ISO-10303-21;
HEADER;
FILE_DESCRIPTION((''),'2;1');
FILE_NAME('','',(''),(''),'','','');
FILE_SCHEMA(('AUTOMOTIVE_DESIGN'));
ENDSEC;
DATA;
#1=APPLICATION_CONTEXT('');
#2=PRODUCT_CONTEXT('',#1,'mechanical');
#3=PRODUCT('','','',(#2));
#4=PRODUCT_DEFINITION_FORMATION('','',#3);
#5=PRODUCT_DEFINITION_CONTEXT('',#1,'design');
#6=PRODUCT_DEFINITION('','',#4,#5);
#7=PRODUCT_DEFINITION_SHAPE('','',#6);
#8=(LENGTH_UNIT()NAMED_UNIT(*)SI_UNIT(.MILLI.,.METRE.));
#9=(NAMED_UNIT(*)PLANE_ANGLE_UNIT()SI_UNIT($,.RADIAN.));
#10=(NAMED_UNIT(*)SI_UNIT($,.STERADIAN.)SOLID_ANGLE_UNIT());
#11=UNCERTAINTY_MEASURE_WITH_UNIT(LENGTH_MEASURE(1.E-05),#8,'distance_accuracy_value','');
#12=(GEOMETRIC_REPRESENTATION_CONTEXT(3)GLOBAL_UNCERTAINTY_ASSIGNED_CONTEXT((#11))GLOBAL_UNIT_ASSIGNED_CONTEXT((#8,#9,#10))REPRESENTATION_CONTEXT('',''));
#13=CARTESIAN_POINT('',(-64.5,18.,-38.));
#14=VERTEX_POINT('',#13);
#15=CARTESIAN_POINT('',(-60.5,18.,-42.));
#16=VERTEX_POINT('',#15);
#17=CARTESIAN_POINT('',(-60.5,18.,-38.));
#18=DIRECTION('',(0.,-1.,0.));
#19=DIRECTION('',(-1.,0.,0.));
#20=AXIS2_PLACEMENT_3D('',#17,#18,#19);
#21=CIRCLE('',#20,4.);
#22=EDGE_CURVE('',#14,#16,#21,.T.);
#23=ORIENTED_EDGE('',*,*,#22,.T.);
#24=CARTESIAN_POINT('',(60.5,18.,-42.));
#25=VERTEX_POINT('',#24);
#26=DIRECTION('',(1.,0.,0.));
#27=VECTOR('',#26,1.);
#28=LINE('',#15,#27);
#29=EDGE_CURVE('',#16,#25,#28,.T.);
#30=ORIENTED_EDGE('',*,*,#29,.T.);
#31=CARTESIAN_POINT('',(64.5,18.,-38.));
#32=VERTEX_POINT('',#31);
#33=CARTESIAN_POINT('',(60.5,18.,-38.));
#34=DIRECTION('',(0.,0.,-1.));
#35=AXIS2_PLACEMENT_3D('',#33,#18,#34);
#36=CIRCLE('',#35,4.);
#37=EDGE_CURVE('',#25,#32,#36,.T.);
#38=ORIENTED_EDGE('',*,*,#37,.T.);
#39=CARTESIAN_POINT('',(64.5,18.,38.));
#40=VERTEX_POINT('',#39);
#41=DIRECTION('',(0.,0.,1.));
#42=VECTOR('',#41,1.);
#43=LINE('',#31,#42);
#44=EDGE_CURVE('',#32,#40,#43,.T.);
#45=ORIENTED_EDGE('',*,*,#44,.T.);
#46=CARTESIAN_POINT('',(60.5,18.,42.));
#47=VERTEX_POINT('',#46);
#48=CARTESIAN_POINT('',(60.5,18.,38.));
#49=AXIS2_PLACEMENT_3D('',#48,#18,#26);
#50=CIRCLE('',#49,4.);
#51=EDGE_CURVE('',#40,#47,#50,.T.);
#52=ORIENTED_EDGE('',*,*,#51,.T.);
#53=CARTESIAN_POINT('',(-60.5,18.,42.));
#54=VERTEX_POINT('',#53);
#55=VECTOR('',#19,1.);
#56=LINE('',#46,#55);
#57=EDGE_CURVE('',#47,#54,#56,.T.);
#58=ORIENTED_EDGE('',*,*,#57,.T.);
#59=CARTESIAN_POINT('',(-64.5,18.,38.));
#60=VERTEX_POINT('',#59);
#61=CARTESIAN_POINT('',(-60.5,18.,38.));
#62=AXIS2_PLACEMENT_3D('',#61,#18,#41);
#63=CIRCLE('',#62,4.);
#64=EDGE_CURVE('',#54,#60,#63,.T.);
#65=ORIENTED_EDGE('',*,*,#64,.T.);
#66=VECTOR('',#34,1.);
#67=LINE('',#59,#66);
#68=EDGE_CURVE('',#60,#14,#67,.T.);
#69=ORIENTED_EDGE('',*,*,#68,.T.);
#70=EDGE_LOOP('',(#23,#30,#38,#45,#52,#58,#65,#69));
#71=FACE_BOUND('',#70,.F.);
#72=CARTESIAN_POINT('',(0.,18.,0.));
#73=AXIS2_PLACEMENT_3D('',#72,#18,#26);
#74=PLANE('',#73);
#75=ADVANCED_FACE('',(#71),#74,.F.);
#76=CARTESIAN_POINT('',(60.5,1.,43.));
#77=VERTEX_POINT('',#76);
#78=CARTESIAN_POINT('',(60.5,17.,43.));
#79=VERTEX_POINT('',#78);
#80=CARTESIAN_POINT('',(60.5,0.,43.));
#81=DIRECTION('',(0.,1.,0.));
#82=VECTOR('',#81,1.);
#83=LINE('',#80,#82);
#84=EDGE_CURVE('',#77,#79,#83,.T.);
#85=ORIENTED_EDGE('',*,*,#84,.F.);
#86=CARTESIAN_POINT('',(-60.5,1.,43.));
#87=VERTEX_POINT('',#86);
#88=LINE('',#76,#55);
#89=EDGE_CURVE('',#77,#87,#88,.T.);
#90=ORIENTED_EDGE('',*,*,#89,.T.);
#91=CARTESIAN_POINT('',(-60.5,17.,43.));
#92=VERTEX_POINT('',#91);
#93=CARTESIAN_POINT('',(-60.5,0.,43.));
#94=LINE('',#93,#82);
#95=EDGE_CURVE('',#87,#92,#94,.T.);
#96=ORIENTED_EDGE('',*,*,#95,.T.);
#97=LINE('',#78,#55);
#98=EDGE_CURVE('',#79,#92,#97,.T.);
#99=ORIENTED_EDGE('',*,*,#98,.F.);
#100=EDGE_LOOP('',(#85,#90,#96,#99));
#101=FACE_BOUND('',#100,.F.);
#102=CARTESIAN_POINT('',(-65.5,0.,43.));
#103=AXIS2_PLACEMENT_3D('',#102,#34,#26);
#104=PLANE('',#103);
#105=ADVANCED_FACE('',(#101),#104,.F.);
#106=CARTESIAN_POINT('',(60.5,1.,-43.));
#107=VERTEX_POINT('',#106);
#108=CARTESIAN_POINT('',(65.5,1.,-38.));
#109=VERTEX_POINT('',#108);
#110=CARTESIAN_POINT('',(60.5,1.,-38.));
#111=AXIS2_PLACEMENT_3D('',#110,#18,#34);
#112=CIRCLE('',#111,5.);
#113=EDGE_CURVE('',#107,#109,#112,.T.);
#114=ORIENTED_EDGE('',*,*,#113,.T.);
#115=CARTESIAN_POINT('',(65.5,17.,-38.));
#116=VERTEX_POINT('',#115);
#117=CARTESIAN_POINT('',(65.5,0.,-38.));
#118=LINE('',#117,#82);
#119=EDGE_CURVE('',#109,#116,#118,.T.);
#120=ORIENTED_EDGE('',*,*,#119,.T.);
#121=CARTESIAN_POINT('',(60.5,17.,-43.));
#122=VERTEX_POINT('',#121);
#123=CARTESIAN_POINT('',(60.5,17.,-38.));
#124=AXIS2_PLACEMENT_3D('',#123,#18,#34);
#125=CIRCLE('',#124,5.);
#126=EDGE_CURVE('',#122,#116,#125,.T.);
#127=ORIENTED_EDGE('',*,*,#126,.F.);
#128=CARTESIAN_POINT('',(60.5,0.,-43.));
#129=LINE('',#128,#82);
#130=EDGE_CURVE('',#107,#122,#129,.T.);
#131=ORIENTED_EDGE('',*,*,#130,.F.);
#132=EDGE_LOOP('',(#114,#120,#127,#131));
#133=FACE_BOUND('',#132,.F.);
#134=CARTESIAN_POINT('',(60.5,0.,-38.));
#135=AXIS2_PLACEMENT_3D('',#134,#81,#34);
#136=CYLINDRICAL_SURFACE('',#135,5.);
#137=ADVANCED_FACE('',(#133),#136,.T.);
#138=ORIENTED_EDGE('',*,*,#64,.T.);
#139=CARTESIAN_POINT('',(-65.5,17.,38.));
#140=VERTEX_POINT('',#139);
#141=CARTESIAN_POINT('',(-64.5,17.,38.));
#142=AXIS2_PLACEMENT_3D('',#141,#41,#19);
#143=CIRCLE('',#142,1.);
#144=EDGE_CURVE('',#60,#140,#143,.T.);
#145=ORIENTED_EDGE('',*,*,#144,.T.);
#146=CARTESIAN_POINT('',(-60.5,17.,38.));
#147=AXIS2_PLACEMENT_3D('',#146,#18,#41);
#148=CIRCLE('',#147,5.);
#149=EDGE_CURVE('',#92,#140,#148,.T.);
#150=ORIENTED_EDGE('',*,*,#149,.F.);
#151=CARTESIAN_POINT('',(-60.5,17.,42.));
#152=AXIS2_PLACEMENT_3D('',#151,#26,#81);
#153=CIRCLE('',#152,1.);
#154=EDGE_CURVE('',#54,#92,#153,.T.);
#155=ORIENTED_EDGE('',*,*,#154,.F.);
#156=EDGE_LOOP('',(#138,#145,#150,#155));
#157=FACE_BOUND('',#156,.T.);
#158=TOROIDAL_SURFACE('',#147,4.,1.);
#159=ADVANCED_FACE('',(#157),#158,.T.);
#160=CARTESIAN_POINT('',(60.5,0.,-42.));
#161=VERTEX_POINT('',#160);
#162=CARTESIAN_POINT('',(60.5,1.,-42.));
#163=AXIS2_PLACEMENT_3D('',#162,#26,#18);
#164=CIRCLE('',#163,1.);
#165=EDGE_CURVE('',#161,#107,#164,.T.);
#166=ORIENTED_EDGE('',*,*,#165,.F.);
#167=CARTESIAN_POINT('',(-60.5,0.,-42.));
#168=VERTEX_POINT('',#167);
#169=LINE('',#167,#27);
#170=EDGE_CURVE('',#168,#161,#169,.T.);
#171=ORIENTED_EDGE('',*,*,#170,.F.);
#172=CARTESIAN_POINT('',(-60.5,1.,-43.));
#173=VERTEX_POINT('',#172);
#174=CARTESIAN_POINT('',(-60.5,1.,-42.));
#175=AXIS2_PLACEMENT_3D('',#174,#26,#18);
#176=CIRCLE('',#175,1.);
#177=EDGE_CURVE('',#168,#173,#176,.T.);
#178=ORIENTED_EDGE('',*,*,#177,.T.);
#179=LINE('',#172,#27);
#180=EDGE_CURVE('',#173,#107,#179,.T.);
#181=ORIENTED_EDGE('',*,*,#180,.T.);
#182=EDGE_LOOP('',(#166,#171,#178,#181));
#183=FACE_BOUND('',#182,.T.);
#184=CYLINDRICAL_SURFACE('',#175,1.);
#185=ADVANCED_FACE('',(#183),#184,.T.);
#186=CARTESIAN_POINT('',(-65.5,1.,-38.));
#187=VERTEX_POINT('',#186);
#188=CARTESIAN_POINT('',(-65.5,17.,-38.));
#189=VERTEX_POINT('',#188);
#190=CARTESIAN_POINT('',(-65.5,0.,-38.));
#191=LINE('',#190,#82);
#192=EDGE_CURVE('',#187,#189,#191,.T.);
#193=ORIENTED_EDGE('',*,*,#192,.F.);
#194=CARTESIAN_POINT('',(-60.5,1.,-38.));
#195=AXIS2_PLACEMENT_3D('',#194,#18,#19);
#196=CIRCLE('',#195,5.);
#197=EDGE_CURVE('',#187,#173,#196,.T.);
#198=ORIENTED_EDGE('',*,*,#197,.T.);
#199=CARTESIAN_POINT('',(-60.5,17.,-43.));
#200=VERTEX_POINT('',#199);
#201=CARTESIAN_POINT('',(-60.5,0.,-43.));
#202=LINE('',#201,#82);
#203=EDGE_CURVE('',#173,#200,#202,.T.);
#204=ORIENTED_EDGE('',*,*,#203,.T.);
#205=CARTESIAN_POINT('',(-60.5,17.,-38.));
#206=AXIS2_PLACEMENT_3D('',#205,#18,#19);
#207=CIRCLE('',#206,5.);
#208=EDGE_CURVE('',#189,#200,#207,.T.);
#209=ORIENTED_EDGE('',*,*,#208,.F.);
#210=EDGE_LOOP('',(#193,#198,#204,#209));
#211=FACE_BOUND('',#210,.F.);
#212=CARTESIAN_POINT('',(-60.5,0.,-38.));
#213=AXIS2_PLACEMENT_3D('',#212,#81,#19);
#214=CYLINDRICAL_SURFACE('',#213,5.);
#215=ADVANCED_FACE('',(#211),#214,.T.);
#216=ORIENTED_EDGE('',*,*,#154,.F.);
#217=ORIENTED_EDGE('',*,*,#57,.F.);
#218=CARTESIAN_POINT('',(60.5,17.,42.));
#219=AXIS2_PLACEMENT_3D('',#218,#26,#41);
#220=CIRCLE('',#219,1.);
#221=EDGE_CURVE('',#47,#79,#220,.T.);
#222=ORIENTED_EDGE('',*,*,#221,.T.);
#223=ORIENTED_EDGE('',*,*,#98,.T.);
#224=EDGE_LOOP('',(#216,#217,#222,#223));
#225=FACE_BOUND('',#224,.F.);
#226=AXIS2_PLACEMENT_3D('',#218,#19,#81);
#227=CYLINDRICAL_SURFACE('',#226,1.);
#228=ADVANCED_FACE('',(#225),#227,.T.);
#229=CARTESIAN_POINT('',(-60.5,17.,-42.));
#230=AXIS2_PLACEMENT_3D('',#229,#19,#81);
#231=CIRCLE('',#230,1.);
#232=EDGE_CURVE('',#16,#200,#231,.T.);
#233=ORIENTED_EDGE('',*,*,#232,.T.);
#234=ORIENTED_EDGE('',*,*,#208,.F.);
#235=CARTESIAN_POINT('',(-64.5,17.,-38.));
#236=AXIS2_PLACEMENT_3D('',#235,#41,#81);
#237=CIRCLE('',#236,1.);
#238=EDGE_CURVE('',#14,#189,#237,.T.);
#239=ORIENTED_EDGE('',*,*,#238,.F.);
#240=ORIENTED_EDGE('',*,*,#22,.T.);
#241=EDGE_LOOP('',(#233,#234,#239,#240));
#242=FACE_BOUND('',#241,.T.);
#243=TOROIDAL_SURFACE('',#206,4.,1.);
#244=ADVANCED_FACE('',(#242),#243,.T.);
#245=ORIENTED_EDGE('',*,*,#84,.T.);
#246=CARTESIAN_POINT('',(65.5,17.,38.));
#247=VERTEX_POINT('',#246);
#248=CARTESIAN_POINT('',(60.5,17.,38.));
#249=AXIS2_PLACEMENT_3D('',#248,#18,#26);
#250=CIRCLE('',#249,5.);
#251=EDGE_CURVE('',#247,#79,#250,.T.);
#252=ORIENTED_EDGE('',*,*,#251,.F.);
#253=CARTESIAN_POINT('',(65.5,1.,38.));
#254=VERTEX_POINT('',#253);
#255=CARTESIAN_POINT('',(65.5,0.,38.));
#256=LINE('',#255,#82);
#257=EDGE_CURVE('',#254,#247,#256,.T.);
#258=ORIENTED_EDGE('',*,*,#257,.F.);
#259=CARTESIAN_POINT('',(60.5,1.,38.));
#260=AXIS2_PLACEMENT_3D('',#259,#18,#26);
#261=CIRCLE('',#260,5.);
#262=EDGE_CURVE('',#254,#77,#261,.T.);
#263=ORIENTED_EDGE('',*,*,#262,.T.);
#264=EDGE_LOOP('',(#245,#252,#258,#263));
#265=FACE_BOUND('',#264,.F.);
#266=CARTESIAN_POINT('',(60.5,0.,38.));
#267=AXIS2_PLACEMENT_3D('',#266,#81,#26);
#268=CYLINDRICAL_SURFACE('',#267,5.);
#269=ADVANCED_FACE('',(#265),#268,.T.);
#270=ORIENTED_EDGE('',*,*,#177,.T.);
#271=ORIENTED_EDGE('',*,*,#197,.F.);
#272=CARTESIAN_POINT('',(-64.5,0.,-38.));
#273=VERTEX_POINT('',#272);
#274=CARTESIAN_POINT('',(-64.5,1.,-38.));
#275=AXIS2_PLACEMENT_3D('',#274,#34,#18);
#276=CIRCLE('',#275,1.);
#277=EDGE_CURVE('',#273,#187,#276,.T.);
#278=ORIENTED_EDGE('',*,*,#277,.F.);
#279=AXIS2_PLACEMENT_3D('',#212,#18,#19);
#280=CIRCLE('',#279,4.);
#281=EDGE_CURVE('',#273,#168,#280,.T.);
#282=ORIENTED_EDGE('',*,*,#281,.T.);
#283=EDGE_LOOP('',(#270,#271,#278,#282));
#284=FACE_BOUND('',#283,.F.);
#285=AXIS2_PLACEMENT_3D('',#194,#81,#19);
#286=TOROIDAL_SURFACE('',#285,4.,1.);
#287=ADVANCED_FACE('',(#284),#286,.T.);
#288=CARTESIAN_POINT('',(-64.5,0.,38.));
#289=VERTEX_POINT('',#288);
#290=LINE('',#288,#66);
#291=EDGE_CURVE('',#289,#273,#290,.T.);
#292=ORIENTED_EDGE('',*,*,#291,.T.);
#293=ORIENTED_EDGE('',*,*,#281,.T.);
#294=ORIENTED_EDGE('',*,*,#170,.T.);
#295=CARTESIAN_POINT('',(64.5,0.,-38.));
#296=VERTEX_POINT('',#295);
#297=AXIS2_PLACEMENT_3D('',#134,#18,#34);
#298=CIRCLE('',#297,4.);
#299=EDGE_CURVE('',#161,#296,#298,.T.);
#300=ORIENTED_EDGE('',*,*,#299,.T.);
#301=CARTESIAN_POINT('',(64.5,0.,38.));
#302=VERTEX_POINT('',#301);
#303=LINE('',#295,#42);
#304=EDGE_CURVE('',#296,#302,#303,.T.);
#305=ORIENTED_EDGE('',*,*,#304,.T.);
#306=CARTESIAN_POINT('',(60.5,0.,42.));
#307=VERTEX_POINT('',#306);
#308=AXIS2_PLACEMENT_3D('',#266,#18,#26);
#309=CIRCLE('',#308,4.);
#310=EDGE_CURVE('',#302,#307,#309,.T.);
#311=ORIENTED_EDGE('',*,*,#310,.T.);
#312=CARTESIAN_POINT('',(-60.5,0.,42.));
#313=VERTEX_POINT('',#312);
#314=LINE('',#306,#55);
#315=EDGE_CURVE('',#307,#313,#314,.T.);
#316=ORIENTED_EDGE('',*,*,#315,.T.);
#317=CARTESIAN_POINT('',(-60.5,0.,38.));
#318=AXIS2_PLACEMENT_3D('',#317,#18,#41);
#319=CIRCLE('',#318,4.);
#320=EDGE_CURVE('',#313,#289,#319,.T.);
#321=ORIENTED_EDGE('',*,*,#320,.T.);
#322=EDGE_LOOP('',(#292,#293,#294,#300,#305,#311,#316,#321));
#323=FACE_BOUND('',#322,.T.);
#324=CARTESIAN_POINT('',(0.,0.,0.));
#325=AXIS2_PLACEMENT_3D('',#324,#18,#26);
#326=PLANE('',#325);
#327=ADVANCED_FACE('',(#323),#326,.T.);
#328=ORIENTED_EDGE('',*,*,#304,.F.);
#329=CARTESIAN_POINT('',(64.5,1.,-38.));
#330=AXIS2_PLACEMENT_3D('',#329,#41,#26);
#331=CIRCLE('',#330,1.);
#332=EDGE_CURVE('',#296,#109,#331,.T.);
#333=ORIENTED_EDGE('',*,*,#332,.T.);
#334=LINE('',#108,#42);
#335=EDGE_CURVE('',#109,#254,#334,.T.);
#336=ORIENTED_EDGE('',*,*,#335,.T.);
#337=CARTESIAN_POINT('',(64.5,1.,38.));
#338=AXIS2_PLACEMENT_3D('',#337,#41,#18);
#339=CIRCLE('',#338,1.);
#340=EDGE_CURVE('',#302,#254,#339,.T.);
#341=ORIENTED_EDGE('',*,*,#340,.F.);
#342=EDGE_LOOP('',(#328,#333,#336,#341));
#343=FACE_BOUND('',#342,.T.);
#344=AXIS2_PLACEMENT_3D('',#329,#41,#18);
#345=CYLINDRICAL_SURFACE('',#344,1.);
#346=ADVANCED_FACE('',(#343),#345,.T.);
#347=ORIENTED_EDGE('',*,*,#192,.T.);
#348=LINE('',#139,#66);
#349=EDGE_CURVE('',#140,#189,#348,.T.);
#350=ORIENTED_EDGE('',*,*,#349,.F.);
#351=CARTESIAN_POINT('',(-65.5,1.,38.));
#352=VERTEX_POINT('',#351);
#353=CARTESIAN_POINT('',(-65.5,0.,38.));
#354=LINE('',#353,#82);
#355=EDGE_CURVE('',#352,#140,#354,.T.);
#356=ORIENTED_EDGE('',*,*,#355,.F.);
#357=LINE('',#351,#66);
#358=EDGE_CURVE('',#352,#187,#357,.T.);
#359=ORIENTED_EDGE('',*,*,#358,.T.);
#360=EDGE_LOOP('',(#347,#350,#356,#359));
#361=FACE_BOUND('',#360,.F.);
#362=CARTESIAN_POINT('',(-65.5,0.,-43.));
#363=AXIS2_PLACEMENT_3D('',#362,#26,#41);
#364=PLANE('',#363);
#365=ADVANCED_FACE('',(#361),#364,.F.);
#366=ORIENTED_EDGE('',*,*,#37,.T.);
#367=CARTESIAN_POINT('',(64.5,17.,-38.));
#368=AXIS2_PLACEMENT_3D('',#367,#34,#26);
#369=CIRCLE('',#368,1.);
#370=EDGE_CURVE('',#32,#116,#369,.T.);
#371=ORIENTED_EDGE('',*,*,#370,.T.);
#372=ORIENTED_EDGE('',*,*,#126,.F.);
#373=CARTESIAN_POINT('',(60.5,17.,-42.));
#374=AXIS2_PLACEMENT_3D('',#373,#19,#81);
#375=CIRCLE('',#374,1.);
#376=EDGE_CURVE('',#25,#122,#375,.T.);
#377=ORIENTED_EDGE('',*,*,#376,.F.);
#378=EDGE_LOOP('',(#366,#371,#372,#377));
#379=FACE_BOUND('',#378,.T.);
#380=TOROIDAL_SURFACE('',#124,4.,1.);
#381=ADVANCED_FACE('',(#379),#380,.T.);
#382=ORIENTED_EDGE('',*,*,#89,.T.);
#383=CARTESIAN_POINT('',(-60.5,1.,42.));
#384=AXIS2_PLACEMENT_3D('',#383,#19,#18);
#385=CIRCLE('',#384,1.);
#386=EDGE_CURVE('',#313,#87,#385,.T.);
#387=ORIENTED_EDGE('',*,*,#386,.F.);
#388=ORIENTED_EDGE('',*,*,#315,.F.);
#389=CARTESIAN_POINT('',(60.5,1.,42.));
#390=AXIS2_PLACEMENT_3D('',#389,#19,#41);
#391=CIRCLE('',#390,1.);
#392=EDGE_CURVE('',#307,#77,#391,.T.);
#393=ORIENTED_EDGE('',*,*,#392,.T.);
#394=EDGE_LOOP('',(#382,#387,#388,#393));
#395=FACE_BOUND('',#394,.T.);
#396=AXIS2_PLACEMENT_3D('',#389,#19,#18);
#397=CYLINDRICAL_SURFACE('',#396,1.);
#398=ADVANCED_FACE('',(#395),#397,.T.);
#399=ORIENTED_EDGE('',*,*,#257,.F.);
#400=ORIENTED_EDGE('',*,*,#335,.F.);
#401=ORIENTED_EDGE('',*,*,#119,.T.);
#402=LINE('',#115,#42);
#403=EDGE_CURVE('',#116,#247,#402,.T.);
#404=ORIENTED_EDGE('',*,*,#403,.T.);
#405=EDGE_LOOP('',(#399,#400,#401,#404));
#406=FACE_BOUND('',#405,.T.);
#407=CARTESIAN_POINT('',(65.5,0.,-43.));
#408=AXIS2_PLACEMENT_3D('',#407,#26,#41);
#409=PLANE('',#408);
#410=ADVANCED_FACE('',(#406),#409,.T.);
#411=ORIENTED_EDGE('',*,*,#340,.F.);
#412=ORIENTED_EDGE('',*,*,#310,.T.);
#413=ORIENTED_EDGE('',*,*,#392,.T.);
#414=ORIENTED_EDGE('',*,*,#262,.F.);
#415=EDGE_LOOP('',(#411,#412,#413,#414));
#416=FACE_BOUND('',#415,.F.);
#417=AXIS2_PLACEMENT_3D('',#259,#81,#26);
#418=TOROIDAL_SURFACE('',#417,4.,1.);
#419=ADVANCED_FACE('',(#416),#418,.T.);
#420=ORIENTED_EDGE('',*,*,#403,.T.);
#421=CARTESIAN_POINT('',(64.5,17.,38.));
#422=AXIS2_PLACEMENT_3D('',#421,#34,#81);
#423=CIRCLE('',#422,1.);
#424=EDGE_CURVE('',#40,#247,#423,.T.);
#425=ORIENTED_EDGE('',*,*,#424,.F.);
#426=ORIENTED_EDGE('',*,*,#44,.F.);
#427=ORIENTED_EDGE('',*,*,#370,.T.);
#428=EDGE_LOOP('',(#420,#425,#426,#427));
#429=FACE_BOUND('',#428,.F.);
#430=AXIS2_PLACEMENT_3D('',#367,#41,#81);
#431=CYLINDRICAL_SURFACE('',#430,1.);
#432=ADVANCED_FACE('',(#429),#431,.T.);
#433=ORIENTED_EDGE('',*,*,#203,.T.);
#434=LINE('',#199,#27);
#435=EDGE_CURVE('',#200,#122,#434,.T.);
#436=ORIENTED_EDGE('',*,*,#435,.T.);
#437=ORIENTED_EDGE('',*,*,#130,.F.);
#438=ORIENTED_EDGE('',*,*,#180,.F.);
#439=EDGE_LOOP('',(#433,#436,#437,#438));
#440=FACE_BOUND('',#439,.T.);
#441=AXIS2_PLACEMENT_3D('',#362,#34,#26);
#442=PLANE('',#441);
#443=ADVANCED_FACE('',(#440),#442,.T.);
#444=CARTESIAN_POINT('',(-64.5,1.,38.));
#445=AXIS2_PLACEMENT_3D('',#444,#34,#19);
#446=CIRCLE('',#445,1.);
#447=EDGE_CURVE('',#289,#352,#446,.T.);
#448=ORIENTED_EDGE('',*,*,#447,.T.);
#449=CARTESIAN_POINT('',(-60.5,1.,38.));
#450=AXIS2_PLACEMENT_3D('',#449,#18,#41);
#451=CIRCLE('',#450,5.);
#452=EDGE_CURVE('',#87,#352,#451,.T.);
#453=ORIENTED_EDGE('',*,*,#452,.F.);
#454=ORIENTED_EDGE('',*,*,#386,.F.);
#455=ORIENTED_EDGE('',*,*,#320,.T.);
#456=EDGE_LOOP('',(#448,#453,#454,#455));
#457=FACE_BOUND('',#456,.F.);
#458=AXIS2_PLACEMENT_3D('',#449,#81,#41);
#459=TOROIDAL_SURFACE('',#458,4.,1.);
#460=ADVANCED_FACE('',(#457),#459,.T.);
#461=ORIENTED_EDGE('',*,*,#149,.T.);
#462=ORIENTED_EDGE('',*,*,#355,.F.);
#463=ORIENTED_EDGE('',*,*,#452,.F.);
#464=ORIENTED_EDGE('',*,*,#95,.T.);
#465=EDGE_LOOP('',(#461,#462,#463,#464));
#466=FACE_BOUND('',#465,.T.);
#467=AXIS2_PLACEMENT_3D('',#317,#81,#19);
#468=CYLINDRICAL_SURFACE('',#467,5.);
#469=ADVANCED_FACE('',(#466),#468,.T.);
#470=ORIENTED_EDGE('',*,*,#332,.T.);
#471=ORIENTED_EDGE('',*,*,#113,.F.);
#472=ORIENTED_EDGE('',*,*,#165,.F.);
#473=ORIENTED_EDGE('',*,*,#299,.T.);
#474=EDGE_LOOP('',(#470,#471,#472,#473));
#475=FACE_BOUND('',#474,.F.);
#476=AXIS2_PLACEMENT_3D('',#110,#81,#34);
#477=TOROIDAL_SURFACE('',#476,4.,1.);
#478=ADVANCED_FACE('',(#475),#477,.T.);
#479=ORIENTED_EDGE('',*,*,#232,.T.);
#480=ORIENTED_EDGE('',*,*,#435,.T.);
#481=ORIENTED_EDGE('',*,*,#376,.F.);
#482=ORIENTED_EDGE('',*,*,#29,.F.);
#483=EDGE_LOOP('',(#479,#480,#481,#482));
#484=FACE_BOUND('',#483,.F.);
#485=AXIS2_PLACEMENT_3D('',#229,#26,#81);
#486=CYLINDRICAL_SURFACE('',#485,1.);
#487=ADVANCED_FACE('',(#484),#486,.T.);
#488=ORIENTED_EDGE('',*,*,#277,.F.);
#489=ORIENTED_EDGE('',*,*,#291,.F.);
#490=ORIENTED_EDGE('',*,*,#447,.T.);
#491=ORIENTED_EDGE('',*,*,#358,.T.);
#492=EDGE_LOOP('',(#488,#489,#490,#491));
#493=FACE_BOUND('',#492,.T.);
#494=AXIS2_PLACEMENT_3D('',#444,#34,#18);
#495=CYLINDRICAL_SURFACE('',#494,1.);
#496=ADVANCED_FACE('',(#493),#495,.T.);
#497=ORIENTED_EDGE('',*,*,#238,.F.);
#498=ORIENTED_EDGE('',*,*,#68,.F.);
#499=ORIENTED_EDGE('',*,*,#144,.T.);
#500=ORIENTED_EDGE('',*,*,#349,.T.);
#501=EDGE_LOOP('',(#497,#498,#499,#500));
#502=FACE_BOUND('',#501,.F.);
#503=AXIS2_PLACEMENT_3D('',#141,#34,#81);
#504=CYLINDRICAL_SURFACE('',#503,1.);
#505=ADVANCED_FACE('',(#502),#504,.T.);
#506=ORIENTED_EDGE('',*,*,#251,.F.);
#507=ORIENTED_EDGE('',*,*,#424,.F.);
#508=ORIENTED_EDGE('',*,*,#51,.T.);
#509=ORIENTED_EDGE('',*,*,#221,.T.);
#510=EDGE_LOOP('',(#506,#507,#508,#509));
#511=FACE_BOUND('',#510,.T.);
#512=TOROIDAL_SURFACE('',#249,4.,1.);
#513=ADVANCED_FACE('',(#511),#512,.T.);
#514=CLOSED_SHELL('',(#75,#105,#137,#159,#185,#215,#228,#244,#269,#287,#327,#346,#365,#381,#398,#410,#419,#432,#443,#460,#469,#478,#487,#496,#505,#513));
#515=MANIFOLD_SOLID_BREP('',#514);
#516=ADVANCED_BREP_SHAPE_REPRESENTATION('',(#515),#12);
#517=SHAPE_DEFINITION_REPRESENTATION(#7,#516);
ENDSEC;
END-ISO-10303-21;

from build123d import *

# Parameters (mm, degrees)
F0_W     = 131
F0_H     = 86
F1_DEPTH = 18
F2_R     = 5
F3_R     = 1


with BuildPart() as f1:
    # F0 (on Front) → F1 (new body)
    with BuildSketch(Plane.XZ):
        Rectangle(F0_W, F0_H)
    extrude(amount=-F1_DEPTH)

    # F2
    f2_edges = [f1.edges().sort_by_distance(p)[0] for p in [
        (-65.5, 9, 43),
        (65.5, 9, 43),
        (65.5, 9, -43),
        (-65.5, 9, -43),
    ]]
    fillet(f2_edges, radius=F2_R)

    # F3
    f3_edges = [f1.edges().sort_by_distance(p)[0] for p in [
        (0, 18, -43),
        (-64.035534, 18, -41.535534),
        (64.035534, 18, -41.535534),
        (-65.5, 18, 0),
        (65.5, 18, 0),
        (-64.035534, 18, 41.535534),
        (64.035534, 18, 41.535534),
        (0, 18, 43),
        (0, 0, -43),
        (-64.035534, 0, -41.535534),
        (64.035534, 0, -41.535534),
        (-65.5, 0, 0),
        (65.5, 0, 0),
        (-64.035534, 0, 41.535534),
        (64.035534, 0, 41.535534),
        (0, 0, 43),
    ]]
    fillet(f3_edges, radius=F3_R)


solid = f1.part
